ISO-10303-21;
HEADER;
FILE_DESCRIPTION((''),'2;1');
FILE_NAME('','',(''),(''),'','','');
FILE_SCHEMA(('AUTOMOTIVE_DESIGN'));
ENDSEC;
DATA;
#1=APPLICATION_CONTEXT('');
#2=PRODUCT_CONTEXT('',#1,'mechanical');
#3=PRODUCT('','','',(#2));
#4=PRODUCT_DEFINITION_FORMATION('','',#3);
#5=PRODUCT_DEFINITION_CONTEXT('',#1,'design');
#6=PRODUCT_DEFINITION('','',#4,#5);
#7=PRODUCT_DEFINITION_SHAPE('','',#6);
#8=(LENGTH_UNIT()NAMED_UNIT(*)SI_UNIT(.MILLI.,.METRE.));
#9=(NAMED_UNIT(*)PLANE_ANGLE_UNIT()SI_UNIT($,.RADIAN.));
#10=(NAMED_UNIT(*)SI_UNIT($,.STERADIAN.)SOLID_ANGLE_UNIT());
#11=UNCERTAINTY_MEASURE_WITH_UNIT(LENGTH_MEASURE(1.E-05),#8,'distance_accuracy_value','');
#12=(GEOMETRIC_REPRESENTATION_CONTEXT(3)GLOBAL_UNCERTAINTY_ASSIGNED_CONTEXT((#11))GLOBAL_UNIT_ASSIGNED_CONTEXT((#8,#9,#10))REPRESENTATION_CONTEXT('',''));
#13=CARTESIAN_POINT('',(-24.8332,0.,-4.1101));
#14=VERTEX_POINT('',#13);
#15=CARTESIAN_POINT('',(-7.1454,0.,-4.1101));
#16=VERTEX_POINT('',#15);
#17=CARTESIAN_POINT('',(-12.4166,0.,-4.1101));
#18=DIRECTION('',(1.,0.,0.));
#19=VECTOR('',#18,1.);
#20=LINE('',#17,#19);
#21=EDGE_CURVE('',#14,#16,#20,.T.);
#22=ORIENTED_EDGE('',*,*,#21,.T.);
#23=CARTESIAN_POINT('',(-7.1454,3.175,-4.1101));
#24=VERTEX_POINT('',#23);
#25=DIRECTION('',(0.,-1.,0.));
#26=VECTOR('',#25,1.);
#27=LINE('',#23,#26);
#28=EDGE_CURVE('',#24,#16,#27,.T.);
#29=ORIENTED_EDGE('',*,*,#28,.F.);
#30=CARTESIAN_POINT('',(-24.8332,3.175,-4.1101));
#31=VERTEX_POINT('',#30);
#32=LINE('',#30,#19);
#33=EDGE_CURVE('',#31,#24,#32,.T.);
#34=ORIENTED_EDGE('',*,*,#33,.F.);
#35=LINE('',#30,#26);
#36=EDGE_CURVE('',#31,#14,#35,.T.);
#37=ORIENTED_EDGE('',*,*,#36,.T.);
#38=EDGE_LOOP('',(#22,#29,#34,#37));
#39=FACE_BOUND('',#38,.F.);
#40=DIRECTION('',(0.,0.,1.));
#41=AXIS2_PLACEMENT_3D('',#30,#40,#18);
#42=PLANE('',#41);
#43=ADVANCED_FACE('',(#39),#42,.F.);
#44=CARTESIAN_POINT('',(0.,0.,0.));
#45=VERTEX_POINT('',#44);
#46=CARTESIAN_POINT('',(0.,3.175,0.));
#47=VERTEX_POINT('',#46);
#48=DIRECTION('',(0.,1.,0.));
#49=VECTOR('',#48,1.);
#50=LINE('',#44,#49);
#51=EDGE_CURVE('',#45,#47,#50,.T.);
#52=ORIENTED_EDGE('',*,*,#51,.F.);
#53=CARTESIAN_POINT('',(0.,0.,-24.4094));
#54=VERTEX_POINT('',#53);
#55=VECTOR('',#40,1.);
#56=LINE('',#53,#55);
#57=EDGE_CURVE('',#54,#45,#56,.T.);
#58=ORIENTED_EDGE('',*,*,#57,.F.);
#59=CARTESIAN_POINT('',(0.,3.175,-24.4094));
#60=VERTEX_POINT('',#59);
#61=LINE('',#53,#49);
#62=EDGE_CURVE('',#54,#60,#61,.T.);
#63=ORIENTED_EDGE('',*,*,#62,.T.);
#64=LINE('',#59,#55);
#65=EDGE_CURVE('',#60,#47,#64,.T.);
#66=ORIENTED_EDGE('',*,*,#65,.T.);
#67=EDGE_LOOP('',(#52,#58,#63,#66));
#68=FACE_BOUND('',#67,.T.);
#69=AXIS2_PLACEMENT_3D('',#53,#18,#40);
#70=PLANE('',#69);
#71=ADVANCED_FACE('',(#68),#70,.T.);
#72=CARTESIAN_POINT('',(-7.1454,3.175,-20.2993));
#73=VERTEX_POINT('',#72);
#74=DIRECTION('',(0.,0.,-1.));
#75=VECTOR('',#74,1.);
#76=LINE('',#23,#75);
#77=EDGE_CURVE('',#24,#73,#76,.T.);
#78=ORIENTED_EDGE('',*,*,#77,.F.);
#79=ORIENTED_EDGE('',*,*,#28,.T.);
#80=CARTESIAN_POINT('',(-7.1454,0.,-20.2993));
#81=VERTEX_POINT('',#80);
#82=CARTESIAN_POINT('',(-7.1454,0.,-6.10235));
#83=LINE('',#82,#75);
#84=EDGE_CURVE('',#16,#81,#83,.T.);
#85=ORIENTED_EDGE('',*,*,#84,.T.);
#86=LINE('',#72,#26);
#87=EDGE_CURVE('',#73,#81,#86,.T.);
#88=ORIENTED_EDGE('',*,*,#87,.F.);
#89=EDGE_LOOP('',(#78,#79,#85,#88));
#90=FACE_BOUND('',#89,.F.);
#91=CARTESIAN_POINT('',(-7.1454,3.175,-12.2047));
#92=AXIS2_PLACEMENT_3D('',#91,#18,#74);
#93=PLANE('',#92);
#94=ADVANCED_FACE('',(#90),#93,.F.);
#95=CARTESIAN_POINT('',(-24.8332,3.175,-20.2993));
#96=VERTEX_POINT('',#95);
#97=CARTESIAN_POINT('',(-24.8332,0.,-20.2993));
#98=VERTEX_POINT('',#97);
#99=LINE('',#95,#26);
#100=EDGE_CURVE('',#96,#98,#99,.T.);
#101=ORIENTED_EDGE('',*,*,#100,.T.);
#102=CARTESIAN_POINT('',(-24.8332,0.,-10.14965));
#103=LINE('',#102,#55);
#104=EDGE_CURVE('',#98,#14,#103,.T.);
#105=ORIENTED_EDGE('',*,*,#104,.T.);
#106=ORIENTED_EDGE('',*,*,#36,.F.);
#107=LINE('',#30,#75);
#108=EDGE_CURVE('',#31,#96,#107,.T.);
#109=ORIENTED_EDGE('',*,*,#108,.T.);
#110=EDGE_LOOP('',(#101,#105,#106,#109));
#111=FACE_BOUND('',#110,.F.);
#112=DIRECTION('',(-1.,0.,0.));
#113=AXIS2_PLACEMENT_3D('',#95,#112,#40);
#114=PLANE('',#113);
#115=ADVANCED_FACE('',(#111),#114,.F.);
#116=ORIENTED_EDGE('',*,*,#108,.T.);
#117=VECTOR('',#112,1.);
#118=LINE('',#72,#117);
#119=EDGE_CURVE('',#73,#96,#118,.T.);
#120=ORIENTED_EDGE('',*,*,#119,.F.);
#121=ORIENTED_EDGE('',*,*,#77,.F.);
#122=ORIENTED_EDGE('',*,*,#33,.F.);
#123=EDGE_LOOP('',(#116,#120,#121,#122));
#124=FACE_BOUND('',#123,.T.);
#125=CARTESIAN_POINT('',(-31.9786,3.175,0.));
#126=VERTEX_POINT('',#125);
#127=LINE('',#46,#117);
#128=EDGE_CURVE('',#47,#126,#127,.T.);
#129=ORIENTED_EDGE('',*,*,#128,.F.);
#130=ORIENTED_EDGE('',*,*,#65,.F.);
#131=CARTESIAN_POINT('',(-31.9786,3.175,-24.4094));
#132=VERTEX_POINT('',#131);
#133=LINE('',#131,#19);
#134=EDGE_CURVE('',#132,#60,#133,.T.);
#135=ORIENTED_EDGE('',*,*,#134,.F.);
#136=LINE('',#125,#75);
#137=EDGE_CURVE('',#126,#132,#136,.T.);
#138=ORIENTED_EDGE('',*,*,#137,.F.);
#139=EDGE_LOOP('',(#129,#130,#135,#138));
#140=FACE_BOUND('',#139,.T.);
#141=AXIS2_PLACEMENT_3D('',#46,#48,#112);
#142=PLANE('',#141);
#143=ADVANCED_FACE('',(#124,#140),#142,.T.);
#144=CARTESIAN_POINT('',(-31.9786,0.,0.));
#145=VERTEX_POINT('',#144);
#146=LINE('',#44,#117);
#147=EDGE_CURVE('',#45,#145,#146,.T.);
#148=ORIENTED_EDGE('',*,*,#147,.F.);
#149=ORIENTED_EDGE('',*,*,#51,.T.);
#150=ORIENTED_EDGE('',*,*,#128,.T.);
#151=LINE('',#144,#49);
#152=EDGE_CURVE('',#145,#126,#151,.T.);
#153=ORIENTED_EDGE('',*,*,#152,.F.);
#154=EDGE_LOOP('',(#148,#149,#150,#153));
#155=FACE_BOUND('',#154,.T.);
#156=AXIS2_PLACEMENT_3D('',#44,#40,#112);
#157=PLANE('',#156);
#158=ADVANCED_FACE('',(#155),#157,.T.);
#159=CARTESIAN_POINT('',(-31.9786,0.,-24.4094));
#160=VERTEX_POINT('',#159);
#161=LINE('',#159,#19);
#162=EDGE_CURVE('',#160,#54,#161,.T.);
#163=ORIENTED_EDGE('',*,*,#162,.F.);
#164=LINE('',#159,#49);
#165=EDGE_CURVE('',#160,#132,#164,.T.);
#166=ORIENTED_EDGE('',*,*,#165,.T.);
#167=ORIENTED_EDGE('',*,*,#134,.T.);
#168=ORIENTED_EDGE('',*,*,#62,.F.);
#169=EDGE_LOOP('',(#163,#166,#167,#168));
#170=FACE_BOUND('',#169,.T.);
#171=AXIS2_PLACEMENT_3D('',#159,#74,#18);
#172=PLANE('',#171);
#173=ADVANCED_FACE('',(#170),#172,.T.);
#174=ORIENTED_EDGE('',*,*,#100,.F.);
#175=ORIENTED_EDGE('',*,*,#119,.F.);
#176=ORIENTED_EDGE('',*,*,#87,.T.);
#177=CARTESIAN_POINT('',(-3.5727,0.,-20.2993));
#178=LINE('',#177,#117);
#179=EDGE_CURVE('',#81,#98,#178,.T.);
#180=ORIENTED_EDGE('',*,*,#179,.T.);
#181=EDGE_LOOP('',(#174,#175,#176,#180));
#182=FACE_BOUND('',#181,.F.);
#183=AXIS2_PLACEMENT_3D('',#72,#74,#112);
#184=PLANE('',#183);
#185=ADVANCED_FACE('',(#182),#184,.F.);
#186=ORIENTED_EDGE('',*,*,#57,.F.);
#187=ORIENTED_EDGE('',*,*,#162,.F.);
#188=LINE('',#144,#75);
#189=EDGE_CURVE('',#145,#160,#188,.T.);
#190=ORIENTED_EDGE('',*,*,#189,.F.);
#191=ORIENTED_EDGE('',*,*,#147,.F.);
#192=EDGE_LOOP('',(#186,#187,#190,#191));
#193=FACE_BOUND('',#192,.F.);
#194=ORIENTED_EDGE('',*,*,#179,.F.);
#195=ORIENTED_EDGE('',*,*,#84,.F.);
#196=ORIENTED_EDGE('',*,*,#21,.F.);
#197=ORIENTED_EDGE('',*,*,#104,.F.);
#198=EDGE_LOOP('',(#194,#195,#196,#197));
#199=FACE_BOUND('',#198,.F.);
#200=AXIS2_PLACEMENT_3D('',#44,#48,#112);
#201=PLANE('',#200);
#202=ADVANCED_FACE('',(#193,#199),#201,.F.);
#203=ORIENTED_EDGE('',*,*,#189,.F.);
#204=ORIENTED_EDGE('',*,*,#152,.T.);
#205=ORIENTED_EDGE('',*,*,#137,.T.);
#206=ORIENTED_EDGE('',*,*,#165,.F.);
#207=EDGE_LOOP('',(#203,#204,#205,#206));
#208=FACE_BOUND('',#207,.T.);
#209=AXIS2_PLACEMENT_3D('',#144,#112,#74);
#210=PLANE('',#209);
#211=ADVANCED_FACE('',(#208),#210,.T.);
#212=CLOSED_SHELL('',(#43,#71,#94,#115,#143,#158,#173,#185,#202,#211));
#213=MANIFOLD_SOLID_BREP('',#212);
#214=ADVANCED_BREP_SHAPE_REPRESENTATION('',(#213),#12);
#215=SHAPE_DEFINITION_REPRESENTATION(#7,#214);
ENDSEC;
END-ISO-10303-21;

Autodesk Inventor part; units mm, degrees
ref_plane "YZ Plane" through (0, 0, 0) normal (1, 0, 0) x (0, 1, 0)
ref_plane "XZ Plane" through (0, 0, 0) normal (0, 1, 0) x (-1, 0, 0)
ref_plane "XY Plane" through (0, 0, 0) normal (0, 0, 1) x (1, 0, 0)
sketch "Sketch1" plane through (0, 0, 0) normal (0, 1, 0) x (-1, 0, 0)
  line L0 (0, 0) -> (31.9786, 0)
  line L1 (31.9786, 0) -> (31.9786, -24.4094)
  line L2 (31.9786, -24.4094) -> (0, -24.4094)
  line L3 (0, -24.4094) -> (0, 0)
  dimension "d0" = 31.9786
  dimension "d1" = 24.4094
extrude "Extrusion1" add sketch "Sketch1" along normal blind 3.175
sketch "Sketch2" plane through (0, 3.175, 0) normal (0, 1, 0) x (1, 0, 0)
  line L0 (-31.9786, 24.4094) -> (-31.9786, 0) projected
  line L1 (-31.9786, 12.2047) -> (0, 12.2047)
  line L2 (0, 0) -> (0, 24.4094) projected
  line L3 (-24.8332, 4.1101) -> (-7.1454, 4.1101)
  line L4 (-7.1454, 4.1101) -> (-7.1454, 20.2993)
  line L5 (-7.1454, 20.2993) -> (-24.8332, 20.2993)
  line L6 (-24.8332, 20.2993) -> (-24.8332, 4.1101)
  line L7 (-24.8332, 4.1101) -> (-7.1454, 20.2993) construction
  line L8 (-7.1454, 4.1101) -> (-24.8332, 20.2993) construction
  point P0 (-15.9893, 12.2047)
  dimension "d4" = 17.6878
  dimension "d5" = 16.1892
extrude "Extrusion2" cut sketch "Sketch2" against normal blind 25.4
properties part number "RoadBot Pneumatic Module - Connection Bay Cover- r2"
